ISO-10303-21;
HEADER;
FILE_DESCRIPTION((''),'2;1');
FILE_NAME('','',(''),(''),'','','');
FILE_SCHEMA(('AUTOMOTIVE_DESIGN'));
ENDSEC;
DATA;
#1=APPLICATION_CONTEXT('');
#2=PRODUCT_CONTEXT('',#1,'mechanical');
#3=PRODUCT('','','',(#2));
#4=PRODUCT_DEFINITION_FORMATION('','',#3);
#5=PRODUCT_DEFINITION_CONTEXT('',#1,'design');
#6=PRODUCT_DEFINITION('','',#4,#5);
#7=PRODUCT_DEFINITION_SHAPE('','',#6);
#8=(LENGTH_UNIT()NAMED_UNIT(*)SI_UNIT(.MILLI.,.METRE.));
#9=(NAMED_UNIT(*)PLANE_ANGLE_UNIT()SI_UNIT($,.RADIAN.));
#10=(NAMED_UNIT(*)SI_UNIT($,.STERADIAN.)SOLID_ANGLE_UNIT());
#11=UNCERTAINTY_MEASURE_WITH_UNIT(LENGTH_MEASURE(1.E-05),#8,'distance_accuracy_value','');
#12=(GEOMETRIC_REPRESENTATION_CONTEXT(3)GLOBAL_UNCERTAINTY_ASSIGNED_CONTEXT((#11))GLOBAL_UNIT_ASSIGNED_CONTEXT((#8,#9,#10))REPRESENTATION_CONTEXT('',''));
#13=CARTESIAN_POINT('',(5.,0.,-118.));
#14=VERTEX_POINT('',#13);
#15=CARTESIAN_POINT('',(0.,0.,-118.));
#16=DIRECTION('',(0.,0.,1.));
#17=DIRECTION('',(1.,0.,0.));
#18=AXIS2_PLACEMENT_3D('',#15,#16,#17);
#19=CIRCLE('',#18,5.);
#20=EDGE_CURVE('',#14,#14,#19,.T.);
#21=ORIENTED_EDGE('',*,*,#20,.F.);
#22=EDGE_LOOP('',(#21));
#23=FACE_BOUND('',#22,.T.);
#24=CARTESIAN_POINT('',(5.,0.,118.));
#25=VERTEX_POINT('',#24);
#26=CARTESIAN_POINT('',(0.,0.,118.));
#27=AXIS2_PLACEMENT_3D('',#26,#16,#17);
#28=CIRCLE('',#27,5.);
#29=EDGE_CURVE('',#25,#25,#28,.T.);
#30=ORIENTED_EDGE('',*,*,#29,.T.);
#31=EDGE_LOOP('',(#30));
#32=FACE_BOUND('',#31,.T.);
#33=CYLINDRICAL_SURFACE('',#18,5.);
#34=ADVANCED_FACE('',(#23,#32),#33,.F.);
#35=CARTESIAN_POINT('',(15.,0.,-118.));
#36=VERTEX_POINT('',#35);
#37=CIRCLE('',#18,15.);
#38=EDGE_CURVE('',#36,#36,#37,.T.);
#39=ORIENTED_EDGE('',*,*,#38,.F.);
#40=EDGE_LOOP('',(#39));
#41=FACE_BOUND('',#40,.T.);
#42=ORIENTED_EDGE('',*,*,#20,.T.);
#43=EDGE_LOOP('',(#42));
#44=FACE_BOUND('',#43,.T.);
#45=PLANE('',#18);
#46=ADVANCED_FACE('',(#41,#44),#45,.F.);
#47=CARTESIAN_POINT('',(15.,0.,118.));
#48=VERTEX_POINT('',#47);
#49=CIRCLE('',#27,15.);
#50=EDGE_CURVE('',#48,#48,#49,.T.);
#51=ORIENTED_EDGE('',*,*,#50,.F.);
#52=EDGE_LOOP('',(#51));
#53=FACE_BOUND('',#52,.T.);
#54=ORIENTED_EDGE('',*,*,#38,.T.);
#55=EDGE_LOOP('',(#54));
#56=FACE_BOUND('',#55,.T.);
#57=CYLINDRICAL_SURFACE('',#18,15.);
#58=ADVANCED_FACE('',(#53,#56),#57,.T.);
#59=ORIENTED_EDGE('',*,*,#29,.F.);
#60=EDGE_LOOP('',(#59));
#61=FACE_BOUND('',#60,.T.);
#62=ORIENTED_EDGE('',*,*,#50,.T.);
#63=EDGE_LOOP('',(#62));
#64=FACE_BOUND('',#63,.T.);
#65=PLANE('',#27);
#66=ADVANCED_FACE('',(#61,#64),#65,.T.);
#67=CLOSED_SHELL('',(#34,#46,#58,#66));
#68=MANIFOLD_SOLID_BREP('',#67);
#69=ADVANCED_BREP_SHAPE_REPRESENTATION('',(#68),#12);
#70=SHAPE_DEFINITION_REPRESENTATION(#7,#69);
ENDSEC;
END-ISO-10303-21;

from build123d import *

# Parameters (mm, degrees)
SKETCH1_R           = 15
SKETCH1_R_2         = 5
BOSS_EXTRUDE1_DEPTH = 118


with BuildPart() as part:
    # Sketch1 → Boss-Extrude1 (new, symmetric)
    with BuildSketch(Plane(origin=(0, 0, 0), x_dir=(0, 1, 0), z_dir=(0, 0, 1))):
        with Locations(Location((0, 0, 0), (0, 0, 270))):
            Circle(SKETCH1_R)
        with Locations(Location((0, 0, 0), (0, 0, 270))):
            Circle(SKETCH1_R_2, mode=Mode.SUBTRACT)
    extrude(amount=BOSS_EXTRUDE1_DEPTH, both=True)


solid = part.part
